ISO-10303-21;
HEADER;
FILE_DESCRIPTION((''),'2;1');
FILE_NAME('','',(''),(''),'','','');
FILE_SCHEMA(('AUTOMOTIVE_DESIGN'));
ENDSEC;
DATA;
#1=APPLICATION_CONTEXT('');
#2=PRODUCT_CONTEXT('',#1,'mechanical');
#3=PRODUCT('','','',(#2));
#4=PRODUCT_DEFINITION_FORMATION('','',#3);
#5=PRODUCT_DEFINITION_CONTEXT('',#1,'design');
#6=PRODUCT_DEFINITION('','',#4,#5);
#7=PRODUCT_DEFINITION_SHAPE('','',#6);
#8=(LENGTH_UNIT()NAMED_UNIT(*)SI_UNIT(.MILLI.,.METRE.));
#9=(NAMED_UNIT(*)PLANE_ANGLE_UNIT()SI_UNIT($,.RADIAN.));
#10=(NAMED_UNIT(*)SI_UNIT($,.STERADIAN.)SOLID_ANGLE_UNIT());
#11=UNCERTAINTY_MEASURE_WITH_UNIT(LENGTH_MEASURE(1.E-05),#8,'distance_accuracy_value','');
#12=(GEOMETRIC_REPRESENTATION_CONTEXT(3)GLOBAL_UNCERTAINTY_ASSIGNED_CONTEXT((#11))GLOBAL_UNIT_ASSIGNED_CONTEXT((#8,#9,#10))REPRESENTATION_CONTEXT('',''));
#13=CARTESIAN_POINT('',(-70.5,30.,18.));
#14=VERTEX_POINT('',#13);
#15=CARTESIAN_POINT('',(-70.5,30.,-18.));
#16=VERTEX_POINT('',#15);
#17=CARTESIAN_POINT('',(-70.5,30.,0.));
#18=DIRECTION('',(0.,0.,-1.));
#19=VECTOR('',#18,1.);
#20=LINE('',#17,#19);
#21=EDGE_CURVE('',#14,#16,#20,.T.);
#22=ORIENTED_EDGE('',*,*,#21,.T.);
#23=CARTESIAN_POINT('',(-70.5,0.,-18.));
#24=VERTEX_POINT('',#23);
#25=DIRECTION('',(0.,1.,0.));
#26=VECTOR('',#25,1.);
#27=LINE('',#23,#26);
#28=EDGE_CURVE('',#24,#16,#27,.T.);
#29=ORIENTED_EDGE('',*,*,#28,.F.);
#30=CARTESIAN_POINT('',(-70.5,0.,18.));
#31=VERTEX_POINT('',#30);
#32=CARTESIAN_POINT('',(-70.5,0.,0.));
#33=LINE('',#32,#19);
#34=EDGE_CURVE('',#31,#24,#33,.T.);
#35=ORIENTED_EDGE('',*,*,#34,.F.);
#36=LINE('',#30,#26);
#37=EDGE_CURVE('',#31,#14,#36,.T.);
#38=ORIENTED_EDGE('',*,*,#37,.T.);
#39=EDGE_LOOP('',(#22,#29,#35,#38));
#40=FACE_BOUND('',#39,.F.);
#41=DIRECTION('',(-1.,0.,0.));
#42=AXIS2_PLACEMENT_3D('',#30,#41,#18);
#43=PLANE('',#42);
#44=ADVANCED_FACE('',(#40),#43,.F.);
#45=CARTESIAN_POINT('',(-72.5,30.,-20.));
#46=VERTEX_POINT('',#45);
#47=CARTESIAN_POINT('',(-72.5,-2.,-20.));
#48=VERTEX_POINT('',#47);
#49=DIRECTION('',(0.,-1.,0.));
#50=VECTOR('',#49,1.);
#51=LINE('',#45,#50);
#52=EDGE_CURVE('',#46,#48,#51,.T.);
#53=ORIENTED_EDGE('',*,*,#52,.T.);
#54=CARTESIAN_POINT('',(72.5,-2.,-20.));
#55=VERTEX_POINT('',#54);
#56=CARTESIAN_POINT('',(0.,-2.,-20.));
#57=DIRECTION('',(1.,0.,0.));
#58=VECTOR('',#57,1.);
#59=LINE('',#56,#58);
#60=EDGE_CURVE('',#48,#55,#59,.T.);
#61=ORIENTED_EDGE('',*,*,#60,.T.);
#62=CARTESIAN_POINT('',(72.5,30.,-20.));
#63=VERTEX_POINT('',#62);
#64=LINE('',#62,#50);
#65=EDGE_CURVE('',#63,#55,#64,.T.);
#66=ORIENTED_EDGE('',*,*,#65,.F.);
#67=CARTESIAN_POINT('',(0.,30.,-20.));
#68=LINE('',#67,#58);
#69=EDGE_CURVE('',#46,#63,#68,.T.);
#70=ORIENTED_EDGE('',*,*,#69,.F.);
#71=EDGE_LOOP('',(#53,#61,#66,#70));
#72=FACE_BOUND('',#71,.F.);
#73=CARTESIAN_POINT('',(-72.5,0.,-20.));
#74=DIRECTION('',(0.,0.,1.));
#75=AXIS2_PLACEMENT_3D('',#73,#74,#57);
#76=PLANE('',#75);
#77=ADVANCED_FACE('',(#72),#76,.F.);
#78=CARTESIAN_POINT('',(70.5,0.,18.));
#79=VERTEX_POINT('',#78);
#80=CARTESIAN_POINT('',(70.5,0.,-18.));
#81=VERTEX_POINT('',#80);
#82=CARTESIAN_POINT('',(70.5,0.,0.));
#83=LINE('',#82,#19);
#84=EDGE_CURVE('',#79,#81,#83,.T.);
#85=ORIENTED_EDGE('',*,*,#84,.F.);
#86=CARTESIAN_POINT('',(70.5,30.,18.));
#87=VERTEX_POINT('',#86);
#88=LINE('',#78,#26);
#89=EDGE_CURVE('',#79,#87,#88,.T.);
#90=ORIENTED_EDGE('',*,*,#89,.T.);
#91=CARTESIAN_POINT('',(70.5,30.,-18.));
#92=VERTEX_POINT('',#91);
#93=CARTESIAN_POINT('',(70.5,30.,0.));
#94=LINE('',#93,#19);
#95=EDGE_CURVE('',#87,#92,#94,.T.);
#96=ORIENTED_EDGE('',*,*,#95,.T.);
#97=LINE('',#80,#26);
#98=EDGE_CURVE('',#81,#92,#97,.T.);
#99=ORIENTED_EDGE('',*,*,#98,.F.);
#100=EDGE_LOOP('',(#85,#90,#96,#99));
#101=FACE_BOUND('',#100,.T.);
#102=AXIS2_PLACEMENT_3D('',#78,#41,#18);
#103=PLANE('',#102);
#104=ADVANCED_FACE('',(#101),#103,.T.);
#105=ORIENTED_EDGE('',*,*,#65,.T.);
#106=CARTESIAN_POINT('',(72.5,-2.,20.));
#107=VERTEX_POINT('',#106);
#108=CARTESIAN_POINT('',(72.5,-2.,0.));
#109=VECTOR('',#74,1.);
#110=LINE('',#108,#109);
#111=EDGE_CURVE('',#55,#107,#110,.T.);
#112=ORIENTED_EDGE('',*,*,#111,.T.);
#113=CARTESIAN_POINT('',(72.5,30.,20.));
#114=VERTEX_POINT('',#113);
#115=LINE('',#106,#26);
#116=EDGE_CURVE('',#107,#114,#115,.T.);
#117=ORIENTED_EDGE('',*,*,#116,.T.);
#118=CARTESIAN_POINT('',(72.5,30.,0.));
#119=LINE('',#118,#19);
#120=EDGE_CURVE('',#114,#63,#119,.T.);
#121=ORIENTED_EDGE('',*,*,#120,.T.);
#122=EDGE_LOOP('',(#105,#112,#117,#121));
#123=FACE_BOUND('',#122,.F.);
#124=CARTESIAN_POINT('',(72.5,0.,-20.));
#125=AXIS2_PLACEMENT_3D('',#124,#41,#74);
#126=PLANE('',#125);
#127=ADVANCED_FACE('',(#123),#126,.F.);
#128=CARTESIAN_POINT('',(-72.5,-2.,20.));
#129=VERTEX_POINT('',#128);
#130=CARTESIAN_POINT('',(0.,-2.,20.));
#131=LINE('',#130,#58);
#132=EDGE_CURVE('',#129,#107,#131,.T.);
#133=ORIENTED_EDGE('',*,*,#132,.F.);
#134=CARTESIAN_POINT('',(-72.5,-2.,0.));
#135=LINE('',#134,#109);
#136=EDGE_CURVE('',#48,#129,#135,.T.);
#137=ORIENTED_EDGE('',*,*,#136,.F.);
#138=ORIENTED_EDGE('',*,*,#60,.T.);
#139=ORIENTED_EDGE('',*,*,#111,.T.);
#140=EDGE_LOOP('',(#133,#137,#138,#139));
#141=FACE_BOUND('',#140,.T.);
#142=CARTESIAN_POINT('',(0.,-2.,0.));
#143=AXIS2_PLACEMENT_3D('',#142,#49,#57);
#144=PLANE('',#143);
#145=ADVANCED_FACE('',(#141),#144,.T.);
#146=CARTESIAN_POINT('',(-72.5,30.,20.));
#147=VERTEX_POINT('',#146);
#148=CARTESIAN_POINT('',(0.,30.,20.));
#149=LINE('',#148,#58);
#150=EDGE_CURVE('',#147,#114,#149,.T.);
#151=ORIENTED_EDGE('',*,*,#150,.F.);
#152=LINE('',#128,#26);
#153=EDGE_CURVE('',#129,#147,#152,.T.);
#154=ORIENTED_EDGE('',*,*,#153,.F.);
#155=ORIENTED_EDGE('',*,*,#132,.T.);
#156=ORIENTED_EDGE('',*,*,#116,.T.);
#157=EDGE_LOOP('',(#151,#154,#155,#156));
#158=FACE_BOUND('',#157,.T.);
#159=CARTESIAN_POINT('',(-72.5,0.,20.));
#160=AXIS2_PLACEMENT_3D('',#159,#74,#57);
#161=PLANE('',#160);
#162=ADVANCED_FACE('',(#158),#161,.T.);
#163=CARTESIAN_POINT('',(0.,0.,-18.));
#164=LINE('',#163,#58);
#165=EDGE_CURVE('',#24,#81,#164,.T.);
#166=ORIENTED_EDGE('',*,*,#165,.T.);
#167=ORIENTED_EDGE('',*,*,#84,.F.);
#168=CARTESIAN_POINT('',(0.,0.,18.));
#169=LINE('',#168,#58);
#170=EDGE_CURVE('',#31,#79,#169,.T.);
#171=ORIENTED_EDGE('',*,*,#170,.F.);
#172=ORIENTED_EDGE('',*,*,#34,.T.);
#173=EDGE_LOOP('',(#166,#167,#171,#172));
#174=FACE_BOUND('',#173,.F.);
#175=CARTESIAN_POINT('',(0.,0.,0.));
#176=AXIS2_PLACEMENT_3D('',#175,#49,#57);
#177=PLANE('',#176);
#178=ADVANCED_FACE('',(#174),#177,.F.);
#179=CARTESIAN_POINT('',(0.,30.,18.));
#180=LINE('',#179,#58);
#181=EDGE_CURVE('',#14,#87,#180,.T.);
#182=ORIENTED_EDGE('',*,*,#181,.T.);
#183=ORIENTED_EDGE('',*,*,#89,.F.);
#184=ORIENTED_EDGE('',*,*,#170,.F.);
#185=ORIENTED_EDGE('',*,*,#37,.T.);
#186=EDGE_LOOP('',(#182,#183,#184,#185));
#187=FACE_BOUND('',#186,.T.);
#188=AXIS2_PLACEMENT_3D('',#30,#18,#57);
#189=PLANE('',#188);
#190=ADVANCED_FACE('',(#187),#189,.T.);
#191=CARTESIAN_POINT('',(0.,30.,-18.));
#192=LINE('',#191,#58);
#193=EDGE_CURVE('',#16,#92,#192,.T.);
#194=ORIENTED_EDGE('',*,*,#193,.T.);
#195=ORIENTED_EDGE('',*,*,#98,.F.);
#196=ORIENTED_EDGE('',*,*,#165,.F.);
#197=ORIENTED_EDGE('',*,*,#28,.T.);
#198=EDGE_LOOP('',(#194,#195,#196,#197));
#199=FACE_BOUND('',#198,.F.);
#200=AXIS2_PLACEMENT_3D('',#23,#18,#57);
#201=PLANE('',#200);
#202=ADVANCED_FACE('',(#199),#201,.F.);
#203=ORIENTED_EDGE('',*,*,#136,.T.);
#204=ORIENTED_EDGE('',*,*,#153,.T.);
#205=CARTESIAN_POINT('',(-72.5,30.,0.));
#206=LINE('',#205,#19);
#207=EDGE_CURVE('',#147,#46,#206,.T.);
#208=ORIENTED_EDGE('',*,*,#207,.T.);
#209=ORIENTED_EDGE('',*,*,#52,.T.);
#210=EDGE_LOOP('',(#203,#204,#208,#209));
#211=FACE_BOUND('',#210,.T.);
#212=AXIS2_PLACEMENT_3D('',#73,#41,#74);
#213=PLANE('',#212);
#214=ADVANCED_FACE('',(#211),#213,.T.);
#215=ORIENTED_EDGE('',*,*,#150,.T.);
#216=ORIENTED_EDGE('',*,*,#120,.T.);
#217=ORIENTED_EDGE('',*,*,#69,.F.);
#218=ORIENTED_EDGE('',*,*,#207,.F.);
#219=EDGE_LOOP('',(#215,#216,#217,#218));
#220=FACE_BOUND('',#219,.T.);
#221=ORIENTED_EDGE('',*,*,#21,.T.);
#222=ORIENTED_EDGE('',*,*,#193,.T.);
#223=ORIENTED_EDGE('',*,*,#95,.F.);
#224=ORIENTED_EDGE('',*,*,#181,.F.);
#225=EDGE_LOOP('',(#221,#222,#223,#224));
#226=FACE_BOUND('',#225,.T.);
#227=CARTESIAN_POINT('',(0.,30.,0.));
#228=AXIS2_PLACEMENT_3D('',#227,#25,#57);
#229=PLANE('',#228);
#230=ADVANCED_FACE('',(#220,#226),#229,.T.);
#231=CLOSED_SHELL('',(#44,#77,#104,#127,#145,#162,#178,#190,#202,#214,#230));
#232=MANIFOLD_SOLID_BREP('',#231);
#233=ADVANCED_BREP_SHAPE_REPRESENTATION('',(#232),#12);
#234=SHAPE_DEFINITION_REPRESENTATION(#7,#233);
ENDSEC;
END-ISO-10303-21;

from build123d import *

# Parameters (mm, degrees)
SKETCH1_W           = 145
SKETCH1_H           = 40
SKETCH1_W_2         = 141
SKETCH1_H_2         = 36
BOSS_EXTRUDE1_DEPTH = 30
SKETCH2_W           = 145
SKETCH2_H           = 40
BOSS_EXTRUDE2_DEPTH = 2


with BuildPart() as part:
    # Sketch1 → Boss-Extrude1 (new body)
    with BuildSketch(Plane(origin=(0, 0, 0), x_dir=(1, 0, 0), z_dir=(0, 1, 0))):
        Rectangle(SKETCH1_W, SKETCH1_H)
        Rectangle(SKETCH1_W_2, SKETCH1_H_2, mode=Mode.SUBTRACT)
    extrude(amount=BOSS_EXTRUDE1_DEPTH)

    # Sketch2 → Boss-Extrude2 (add)
    with BuildSketch(Plane.XZ):
        Rectangle(SKETCH2_W, SKETCH2_H)
    extrude(amount=BOSS_EXTRUDE2_DEPTH)


solid = part.part
